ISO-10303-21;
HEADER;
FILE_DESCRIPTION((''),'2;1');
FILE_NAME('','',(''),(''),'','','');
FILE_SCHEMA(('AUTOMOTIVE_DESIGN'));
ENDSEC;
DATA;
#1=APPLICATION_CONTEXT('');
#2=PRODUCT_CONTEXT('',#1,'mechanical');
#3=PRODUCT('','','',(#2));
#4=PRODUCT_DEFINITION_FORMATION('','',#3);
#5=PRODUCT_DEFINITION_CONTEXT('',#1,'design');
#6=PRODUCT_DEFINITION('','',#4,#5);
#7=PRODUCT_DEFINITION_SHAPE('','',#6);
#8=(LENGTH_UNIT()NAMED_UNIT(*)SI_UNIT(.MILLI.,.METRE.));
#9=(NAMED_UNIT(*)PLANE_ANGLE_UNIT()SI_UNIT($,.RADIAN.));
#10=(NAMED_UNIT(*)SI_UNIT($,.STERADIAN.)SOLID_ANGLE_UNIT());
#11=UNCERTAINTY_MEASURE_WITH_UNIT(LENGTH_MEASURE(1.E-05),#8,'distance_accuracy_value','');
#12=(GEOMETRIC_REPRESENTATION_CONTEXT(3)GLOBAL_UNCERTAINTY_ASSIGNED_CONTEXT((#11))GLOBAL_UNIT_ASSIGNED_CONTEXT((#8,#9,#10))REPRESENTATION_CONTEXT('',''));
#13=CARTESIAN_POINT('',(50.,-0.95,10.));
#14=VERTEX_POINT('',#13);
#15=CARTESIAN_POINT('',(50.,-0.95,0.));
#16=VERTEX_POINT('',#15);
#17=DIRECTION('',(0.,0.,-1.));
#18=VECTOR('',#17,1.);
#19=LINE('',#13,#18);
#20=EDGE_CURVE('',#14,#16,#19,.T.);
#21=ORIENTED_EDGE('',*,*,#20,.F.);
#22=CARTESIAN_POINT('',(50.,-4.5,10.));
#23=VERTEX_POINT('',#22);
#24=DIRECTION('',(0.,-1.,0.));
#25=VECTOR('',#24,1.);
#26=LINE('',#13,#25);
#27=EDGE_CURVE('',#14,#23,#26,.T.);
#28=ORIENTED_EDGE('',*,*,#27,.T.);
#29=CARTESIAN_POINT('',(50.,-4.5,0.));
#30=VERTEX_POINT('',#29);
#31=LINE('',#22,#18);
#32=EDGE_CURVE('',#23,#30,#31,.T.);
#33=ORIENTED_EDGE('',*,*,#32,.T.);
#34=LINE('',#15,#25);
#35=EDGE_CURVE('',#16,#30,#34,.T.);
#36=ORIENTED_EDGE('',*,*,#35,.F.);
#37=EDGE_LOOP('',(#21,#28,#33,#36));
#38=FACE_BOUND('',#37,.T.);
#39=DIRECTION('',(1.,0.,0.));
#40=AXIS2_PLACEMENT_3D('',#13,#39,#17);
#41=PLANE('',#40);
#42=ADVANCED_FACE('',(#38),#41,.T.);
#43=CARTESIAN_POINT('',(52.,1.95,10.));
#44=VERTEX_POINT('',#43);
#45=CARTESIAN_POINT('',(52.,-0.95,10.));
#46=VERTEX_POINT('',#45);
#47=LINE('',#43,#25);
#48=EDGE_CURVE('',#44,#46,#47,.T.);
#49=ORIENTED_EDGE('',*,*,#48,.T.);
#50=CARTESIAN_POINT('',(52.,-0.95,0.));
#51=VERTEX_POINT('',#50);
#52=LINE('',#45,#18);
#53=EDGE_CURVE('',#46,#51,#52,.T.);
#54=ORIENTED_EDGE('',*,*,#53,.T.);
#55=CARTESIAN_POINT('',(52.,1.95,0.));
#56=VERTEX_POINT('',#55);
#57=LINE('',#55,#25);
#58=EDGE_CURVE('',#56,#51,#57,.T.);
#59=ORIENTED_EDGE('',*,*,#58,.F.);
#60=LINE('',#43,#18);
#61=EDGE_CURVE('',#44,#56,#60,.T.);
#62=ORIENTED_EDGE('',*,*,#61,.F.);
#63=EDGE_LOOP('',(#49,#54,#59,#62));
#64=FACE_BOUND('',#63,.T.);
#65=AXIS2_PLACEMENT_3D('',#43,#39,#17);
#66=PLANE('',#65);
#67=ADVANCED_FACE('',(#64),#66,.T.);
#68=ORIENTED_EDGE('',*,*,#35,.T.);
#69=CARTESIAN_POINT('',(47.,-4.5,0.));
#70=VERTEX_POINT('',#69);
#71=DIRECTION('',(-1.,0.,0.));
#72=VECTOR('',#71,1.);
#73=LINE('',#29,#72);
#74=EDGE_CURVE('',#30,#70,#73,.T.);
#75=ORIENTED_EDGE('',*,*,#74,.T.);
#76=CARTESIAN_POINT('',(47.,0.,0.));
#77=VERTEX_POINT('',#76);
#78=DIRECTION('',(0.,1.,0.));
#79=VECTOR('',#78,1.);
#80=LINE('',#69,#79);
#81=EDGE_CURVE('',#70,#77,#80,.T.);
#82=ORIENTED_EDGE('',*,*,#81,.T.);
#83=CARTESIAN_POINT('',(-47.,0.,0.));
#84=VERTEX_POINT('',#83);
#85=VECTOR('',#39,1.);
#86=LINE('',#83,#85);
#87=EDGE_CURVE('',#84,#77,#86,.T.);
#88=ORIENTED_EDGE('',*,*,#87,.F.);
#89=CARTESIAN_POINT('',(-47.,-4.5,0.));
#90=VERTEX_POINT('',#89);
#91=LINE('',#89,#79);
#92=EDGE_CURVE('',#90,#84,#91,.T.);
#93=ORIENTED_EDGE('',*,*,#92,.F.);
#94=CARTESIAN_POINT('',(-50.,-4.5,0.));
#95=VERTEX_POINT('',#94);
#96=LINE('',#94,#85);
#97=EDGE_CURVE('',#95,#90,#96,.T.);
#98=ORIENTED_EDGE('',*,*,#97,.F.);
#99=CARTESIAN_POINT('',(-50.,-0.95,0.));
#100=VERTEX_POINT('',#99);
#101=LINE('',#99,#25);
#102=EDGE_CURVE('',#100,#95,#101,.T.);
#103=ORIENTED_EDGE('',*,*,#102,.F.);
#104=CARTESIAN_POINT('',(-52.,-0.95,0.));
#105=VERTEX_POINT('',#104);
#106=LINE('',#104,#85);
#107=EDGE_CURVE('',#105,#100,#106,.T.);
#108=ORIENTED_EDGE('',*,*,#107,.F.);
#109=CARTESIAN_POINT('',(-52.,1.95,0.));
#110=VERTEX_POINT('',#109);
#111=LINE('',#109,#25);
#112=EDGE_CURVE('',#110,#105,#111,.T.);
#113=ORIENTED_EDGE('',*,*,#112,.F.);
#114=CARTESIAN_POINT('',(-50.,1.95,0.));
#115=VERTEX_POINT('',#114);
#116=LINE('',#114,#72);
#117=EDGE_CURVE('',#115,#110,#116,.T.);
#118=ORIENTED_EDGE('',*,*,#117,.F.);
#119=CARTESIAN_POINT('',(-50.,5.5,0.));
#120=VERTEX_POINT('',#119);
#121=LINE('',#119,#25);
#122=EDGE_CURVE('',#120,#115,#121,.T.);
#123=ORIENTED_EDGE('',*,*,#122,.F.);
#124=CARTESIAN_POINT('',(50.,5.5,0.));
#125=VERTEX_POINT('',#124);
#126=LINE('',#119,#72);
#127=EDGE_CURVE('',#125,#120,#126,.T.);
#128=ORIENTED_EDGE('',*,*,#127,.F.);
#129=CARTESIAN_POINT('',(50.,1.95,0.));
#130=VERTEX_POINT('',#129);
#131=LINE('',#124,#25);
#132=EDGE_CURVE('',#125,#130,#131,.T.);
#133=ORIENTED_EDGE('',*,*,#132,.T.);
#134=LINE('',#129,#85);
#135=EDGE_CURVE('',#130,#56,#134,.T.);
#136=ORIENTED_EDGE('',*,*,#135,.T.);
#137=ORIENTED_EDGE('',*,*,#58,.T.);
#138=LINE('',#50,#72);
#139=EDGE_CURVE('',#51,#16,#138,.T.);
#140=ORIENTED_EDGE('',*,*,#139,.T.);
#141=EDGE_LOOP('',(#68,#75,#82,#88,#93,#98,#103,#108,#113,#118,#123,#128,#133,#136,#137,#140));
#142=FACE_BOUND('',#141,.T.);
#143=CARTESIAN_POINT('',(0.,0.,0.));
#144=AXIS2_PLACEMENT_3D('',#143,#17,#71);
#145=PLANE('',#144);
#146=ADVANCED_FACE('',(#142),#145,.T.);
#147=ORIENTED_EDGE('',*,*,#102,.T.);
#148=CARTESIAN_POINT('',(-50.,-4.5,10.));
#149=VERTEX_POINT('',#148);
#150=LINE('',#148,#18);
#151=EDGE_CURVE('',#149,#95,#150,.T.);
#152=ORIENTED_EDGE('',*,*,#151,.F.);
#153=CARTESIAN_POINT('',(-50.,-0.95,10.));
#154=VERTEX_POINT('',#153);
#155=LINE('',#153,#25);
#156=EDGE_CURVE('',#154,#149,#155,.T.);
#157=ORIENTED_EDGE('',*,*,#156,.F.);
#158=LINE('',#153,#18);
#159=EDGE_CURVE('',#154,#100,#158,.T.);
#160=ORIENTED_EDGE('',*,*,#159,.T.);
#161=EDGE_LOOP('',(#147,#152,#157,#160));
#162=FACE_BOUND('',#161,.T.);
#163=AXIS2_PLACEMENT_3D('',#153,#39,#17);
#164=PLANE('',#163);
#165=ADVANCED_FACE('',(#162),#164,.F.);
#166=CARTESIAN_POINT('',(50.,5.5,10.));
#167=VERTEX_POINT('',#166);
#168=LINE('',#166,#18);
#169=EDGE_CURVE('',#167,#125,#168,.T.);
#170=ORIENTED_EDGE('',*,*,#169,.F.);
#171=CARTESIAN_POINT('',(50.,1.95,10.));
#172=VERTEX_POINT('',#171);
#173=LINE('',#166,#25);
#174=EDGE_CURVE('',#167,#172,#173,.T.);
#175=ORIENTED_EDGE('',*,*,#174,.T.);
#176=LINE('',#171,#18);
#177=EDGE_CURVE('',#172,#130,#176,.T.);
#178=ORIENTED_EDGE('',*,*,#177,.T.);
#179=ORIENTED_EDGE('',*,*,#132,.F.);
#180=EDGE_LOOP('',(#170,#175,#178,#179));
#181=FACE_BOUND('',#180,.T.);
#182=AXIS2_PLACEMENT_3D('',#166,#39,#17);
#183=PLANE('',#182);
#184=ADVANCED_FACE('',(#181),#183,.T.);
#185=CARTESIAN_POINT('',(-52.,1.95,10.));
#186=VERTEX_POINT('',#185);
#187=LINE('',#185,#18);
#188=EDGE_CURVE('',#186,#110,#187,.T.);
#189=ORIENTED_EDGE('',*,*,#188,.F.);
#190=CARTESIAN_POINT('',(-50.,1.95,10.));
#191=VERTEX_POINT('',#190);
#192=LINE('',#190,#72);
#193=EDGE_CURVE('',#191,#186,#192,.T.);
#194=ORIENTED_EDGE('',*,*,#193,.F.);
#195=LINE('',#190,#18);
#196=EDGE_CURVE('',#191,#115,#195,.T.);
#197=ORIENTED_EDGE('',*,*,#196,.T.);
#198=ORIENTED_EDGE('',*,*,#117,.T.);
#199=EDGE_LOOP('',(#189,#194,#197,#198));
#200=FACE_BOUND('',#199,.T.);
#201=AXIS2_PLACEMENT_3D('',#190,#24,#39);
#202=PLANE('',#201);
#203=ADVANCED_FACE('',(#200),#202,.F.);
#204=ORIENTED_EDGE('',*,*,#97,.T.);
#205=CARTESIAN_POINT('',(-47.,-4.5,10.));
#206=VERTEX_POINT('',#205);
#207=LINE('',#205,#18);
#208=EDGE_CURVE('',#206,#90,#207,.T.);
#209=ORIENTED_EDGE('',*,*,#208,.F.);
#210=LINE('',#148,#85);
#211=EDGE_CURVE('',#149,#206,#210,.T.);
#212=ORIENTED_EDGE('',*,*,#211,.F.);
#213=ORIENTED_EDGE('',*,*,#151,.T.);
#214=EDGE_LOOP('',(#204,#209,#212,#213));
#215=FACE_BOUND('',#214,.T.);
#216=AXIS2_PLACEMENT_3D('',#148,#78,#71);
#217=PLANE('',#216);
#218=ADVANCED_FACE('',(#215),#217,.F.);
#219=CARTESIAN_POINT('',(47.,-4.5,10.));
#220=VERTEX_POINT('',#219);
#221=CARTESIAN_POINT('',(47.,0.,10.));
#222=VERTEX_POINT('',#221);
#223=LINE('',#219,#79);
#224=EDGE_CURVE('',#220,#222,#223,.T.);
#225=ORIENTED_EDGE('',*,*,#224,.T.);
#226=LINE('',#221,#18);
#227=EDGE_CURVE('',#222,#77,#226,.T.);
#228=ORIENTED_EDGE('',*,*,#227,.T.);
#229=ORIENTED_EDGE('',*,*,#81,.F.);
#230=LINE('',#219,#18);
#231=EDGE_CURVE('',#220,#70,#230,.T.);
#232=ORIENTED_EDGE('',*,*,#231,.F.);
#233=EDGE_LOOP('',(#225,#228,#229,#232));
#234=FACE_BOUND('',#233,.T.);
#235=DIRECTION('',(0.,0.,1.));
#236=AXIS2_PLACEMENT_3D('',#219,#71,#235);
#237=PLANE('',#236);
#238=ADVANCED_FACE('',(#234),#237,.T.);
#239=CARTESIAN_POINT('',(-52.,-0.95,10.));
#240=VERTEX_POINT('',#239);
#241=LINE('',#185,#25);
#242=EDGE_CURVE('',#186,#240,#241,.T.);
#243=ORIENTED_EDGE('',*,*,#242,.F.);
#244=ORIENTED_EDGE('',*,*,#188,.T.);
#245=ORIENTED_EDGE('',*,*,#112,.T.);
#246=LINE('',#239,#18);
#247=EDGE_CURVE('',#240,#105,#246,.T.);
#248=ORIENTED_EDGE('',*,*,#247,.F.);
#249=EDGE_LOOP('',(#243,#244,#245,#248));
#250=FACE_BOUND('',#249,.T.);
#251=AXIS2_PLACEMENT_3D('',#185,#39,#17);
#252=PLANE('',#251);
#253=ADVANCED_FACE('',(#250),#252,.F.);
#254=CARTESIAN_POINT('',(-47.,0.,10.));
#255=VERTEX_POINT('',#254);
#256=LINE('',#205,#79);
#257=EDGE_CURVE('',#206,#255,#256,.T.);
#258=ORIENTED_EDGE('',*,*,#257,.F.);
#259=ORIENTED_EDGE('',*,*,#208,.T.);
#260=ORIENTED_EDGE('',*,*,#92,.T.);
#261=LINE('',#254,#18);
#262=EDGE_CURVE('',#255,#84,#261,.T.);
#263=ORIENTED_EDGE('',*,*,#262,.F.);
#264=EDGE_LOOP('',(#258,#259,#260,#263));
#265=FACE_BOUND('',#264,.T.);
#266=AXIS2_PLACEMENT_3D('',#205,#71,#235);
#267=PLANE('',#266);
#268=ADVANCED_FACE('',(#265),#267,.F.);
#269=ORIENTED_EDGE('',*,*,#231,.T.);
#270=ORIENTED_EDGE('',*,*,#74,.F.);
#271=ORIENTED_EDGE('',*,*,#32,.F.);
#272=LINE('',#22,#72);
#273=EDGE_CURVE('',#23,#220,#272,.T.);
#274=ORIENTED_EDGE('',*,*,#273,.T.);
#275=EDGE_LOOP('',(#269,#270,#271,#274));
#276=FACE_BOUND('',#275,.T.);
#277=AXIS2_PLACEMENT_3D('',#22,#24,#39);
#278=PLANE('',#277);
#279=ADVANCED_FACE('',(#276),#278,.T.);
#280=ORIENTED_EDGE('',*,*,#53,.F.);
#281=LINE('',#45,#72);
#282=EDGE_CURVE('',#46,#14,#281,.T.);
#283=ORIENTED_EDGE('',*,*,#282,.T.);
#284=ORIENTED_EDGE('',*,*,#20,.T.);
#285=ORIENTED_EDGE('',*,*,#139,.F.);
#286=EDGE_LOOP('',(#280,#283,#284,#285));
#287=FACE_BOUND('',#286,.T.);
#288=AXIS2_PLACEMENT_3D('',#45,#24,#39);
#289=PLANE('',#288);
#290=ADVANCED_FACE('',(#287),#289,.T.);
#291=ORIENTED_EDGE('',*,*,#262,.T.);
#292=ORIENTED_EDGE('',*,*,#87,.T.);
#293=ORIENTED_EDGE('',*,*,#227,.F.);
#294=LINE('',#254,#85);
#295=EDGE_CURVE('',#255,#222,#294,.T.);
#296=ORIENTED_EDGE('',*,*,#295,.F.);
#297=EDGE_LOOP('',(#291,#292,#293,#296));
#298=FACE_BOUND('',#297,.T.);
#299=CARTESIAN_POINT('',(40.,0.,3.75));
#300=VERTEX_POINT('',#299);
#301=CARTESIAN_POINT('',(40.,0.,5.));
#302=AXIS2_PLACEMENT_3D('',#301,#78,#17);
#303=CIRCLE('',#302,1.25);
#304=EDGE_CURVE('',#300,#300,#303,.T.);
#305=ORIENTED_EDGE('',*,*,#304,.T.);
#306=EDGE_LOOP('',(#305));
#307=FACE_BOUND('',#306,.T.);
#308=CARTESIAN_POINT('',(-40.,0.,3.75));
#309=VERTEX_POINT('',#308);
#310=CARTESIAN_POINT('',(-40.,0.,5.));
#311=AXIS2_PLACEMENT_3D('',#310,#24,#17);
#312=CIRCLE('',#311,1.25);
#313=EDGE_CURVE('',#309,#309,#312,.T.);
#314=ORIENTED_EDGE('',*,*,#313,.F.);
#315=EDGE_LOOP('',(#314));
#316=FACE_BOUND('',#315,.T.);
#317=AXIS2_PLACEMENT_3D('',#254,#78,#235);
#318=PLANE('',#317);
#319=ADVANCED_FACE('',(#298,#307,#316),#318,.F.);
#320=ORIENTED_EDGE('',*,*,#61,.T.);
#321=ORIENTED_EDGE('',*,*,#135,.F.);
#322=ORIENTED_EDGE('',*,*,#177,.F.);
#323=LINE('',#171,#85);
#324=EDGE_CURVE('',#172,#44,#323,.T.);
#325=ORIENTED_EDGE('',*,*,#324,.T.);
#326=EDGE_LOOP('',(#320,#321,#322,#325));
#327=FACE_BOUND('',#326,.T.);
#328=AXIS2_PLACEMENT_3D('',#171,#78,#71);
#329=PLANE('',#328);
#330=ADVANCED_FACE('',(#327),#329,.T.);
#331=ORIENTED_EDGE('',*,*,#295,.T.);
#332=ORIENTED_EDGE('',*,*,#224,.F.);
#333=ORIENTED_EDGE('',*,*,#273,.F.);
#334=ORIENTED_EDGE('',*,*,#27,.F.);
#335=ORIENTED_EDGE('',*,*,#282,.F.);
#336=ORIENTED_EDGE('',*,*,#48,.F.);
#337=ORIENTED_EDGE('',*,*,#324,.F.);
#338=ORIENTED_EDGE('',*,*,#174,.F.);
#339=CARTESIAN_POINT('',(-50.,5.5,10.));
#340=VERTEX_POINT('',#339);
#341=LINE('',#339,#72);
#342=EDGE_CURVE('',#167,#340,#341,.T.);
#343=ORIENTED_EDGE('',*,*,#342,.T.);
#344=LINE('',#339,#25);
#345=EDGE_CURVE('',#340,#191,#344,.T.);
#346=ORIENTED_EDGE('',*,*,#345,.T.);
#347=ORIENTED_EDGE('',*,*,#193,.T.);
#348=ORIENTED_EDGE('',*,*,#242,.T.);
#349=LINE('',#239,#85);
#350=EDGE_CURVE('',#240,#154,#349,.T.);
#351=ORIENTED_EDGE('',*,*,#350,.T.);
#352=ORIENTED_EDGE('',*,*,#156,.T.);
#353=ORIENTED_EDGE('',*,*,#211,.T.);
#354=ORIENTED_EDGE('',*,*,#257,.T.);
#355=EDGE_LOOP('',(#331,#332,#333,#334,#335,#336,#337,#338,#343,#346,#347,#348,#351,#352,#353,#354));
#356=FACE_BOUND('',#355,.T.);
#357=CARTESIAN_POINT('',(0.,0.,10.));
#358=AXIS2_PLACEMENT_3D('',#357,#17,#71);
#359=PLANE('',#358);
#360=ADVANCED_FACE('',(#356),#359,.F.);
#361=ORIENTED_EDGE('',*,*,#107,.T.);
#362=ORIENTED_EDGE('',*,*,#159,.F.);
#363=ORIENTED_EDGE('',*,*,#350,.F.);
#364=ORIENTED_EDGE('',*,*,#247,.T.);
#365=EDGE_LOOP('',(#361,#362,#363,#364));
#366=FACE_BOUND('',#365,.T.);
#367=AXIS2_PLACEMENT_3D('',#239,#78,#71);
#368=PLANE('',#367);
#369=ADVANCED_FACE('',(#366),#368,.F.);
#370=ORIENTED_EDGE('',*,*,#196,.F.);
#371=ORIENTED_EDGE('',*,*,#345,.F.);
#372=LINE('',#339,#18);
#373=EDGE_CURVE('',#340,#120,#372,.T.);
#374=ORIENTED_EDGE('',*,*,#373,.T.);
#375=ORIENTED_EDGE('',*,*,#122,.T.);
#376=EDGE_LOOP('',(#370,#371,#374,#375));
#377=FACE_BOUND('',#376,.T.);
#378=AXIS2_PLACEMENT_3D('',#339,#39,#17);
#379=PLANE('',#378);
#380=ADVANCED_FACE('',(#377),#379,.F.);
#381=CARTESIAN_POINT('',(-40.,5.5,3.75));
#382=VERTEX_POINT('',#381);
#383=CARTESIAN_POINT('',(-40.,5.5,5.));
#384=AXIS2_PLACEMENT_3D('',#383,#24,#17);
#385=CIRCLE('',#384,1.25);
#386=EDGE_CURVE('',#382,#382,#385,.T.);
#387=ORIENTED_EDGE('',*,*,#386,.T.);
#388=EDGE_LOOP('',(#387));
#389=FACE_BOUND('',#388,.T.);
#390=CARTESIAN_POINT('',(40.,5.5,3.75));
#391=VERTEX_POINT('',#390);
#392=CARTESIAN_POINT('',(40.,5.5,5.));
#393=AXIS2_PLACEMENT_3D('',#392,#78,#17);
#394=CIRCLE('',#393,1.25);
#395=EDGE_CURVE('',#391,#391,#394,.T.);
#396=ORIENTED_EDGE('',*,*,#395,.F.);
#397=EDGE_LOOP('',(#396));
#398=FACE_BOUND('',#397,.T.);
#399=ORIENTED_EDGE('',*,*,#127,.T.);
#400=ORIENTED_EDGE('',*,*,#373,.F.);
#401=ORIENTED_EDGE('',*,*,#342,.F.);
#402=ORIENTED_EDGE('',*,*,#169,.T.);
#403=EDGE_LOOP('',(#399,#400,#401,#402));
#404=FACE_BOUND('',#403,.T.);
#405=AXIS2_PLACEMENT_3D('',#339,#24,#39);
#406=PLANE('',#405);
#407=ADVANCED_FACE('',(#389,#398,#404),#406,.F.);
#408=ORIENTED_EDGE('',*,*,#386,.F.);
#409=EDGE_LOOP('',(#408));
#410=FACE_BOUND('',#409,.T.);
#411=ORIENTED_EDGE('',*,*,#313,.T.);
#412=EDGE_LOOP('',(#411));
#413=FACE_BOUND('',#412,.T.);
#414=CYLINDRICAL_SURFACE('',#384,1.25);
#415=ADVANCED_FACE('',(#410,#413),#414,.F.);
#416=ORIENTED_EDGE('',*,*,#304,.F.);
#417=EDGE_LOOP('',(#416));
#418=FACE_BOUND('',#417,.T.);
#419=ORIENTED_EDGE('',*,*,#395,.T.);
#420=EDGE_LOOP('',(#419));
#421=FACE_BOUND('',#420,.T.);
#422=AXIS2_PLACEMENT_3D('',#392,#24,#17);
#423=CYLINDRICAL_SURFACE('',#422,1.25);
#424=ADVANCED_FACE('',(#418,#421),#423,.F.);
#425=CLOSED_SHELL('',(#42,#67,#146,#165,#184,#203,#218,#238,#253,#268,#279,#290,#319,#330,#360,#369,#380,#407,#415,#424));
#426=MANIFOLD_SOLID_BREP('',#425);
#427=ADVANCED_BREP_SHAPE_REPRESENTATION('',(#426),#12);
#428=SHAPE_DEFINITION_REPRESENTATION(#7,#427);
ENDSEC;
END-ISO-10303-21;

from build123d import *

# Parameters (mm, degrees)
MAINLEFT_DEPTH     = 10
SKETCH3_R          = 1.25
CUT_EXTRUDE2_DEPTH = 6.5


with BuildPart() as part:
    # Sketch1 → MainLeft (new body)
    with BuildSketch(Plane.XY):
        Polygon((-50, 5.5), (-50, 1.95), (-52, 1.95), (-52, -0.95), (-50, -0.95), (-50, -4.5), (-47, -4.5), (-47, 0), (0, 0), (0, 5.5), align=None)
    mainleft = extrude(amount=MAINLEFT_DEPTH)

    # Sketch3 → Cut-Extrude2 (cut, through all)
    with BuildSketch(Plane.XZ):
        with Locations((-40, 5)):
            Circle(SKETCH3_R)
    cut_extrude2 = extrude(amount=-CUT_EXTRUDE2_DEPTH, mode=Mode.SUBTRACT)

    # Mirror1: MainLeft, Cut-Extrude2 across plane
    add(mainleft.mirror(Plane(origin=(0, 0, 0), x_dir=(0, 0, 1), z_dir=(1, 0, 0))))
    add(cut_extrude2.mirror(Plane(origin=(0, 0, 0), x_dir=(0, 0, 1), z_dir=(1, 0, 0))), mode=Mode.SUBTRACT)


solid = part.part
